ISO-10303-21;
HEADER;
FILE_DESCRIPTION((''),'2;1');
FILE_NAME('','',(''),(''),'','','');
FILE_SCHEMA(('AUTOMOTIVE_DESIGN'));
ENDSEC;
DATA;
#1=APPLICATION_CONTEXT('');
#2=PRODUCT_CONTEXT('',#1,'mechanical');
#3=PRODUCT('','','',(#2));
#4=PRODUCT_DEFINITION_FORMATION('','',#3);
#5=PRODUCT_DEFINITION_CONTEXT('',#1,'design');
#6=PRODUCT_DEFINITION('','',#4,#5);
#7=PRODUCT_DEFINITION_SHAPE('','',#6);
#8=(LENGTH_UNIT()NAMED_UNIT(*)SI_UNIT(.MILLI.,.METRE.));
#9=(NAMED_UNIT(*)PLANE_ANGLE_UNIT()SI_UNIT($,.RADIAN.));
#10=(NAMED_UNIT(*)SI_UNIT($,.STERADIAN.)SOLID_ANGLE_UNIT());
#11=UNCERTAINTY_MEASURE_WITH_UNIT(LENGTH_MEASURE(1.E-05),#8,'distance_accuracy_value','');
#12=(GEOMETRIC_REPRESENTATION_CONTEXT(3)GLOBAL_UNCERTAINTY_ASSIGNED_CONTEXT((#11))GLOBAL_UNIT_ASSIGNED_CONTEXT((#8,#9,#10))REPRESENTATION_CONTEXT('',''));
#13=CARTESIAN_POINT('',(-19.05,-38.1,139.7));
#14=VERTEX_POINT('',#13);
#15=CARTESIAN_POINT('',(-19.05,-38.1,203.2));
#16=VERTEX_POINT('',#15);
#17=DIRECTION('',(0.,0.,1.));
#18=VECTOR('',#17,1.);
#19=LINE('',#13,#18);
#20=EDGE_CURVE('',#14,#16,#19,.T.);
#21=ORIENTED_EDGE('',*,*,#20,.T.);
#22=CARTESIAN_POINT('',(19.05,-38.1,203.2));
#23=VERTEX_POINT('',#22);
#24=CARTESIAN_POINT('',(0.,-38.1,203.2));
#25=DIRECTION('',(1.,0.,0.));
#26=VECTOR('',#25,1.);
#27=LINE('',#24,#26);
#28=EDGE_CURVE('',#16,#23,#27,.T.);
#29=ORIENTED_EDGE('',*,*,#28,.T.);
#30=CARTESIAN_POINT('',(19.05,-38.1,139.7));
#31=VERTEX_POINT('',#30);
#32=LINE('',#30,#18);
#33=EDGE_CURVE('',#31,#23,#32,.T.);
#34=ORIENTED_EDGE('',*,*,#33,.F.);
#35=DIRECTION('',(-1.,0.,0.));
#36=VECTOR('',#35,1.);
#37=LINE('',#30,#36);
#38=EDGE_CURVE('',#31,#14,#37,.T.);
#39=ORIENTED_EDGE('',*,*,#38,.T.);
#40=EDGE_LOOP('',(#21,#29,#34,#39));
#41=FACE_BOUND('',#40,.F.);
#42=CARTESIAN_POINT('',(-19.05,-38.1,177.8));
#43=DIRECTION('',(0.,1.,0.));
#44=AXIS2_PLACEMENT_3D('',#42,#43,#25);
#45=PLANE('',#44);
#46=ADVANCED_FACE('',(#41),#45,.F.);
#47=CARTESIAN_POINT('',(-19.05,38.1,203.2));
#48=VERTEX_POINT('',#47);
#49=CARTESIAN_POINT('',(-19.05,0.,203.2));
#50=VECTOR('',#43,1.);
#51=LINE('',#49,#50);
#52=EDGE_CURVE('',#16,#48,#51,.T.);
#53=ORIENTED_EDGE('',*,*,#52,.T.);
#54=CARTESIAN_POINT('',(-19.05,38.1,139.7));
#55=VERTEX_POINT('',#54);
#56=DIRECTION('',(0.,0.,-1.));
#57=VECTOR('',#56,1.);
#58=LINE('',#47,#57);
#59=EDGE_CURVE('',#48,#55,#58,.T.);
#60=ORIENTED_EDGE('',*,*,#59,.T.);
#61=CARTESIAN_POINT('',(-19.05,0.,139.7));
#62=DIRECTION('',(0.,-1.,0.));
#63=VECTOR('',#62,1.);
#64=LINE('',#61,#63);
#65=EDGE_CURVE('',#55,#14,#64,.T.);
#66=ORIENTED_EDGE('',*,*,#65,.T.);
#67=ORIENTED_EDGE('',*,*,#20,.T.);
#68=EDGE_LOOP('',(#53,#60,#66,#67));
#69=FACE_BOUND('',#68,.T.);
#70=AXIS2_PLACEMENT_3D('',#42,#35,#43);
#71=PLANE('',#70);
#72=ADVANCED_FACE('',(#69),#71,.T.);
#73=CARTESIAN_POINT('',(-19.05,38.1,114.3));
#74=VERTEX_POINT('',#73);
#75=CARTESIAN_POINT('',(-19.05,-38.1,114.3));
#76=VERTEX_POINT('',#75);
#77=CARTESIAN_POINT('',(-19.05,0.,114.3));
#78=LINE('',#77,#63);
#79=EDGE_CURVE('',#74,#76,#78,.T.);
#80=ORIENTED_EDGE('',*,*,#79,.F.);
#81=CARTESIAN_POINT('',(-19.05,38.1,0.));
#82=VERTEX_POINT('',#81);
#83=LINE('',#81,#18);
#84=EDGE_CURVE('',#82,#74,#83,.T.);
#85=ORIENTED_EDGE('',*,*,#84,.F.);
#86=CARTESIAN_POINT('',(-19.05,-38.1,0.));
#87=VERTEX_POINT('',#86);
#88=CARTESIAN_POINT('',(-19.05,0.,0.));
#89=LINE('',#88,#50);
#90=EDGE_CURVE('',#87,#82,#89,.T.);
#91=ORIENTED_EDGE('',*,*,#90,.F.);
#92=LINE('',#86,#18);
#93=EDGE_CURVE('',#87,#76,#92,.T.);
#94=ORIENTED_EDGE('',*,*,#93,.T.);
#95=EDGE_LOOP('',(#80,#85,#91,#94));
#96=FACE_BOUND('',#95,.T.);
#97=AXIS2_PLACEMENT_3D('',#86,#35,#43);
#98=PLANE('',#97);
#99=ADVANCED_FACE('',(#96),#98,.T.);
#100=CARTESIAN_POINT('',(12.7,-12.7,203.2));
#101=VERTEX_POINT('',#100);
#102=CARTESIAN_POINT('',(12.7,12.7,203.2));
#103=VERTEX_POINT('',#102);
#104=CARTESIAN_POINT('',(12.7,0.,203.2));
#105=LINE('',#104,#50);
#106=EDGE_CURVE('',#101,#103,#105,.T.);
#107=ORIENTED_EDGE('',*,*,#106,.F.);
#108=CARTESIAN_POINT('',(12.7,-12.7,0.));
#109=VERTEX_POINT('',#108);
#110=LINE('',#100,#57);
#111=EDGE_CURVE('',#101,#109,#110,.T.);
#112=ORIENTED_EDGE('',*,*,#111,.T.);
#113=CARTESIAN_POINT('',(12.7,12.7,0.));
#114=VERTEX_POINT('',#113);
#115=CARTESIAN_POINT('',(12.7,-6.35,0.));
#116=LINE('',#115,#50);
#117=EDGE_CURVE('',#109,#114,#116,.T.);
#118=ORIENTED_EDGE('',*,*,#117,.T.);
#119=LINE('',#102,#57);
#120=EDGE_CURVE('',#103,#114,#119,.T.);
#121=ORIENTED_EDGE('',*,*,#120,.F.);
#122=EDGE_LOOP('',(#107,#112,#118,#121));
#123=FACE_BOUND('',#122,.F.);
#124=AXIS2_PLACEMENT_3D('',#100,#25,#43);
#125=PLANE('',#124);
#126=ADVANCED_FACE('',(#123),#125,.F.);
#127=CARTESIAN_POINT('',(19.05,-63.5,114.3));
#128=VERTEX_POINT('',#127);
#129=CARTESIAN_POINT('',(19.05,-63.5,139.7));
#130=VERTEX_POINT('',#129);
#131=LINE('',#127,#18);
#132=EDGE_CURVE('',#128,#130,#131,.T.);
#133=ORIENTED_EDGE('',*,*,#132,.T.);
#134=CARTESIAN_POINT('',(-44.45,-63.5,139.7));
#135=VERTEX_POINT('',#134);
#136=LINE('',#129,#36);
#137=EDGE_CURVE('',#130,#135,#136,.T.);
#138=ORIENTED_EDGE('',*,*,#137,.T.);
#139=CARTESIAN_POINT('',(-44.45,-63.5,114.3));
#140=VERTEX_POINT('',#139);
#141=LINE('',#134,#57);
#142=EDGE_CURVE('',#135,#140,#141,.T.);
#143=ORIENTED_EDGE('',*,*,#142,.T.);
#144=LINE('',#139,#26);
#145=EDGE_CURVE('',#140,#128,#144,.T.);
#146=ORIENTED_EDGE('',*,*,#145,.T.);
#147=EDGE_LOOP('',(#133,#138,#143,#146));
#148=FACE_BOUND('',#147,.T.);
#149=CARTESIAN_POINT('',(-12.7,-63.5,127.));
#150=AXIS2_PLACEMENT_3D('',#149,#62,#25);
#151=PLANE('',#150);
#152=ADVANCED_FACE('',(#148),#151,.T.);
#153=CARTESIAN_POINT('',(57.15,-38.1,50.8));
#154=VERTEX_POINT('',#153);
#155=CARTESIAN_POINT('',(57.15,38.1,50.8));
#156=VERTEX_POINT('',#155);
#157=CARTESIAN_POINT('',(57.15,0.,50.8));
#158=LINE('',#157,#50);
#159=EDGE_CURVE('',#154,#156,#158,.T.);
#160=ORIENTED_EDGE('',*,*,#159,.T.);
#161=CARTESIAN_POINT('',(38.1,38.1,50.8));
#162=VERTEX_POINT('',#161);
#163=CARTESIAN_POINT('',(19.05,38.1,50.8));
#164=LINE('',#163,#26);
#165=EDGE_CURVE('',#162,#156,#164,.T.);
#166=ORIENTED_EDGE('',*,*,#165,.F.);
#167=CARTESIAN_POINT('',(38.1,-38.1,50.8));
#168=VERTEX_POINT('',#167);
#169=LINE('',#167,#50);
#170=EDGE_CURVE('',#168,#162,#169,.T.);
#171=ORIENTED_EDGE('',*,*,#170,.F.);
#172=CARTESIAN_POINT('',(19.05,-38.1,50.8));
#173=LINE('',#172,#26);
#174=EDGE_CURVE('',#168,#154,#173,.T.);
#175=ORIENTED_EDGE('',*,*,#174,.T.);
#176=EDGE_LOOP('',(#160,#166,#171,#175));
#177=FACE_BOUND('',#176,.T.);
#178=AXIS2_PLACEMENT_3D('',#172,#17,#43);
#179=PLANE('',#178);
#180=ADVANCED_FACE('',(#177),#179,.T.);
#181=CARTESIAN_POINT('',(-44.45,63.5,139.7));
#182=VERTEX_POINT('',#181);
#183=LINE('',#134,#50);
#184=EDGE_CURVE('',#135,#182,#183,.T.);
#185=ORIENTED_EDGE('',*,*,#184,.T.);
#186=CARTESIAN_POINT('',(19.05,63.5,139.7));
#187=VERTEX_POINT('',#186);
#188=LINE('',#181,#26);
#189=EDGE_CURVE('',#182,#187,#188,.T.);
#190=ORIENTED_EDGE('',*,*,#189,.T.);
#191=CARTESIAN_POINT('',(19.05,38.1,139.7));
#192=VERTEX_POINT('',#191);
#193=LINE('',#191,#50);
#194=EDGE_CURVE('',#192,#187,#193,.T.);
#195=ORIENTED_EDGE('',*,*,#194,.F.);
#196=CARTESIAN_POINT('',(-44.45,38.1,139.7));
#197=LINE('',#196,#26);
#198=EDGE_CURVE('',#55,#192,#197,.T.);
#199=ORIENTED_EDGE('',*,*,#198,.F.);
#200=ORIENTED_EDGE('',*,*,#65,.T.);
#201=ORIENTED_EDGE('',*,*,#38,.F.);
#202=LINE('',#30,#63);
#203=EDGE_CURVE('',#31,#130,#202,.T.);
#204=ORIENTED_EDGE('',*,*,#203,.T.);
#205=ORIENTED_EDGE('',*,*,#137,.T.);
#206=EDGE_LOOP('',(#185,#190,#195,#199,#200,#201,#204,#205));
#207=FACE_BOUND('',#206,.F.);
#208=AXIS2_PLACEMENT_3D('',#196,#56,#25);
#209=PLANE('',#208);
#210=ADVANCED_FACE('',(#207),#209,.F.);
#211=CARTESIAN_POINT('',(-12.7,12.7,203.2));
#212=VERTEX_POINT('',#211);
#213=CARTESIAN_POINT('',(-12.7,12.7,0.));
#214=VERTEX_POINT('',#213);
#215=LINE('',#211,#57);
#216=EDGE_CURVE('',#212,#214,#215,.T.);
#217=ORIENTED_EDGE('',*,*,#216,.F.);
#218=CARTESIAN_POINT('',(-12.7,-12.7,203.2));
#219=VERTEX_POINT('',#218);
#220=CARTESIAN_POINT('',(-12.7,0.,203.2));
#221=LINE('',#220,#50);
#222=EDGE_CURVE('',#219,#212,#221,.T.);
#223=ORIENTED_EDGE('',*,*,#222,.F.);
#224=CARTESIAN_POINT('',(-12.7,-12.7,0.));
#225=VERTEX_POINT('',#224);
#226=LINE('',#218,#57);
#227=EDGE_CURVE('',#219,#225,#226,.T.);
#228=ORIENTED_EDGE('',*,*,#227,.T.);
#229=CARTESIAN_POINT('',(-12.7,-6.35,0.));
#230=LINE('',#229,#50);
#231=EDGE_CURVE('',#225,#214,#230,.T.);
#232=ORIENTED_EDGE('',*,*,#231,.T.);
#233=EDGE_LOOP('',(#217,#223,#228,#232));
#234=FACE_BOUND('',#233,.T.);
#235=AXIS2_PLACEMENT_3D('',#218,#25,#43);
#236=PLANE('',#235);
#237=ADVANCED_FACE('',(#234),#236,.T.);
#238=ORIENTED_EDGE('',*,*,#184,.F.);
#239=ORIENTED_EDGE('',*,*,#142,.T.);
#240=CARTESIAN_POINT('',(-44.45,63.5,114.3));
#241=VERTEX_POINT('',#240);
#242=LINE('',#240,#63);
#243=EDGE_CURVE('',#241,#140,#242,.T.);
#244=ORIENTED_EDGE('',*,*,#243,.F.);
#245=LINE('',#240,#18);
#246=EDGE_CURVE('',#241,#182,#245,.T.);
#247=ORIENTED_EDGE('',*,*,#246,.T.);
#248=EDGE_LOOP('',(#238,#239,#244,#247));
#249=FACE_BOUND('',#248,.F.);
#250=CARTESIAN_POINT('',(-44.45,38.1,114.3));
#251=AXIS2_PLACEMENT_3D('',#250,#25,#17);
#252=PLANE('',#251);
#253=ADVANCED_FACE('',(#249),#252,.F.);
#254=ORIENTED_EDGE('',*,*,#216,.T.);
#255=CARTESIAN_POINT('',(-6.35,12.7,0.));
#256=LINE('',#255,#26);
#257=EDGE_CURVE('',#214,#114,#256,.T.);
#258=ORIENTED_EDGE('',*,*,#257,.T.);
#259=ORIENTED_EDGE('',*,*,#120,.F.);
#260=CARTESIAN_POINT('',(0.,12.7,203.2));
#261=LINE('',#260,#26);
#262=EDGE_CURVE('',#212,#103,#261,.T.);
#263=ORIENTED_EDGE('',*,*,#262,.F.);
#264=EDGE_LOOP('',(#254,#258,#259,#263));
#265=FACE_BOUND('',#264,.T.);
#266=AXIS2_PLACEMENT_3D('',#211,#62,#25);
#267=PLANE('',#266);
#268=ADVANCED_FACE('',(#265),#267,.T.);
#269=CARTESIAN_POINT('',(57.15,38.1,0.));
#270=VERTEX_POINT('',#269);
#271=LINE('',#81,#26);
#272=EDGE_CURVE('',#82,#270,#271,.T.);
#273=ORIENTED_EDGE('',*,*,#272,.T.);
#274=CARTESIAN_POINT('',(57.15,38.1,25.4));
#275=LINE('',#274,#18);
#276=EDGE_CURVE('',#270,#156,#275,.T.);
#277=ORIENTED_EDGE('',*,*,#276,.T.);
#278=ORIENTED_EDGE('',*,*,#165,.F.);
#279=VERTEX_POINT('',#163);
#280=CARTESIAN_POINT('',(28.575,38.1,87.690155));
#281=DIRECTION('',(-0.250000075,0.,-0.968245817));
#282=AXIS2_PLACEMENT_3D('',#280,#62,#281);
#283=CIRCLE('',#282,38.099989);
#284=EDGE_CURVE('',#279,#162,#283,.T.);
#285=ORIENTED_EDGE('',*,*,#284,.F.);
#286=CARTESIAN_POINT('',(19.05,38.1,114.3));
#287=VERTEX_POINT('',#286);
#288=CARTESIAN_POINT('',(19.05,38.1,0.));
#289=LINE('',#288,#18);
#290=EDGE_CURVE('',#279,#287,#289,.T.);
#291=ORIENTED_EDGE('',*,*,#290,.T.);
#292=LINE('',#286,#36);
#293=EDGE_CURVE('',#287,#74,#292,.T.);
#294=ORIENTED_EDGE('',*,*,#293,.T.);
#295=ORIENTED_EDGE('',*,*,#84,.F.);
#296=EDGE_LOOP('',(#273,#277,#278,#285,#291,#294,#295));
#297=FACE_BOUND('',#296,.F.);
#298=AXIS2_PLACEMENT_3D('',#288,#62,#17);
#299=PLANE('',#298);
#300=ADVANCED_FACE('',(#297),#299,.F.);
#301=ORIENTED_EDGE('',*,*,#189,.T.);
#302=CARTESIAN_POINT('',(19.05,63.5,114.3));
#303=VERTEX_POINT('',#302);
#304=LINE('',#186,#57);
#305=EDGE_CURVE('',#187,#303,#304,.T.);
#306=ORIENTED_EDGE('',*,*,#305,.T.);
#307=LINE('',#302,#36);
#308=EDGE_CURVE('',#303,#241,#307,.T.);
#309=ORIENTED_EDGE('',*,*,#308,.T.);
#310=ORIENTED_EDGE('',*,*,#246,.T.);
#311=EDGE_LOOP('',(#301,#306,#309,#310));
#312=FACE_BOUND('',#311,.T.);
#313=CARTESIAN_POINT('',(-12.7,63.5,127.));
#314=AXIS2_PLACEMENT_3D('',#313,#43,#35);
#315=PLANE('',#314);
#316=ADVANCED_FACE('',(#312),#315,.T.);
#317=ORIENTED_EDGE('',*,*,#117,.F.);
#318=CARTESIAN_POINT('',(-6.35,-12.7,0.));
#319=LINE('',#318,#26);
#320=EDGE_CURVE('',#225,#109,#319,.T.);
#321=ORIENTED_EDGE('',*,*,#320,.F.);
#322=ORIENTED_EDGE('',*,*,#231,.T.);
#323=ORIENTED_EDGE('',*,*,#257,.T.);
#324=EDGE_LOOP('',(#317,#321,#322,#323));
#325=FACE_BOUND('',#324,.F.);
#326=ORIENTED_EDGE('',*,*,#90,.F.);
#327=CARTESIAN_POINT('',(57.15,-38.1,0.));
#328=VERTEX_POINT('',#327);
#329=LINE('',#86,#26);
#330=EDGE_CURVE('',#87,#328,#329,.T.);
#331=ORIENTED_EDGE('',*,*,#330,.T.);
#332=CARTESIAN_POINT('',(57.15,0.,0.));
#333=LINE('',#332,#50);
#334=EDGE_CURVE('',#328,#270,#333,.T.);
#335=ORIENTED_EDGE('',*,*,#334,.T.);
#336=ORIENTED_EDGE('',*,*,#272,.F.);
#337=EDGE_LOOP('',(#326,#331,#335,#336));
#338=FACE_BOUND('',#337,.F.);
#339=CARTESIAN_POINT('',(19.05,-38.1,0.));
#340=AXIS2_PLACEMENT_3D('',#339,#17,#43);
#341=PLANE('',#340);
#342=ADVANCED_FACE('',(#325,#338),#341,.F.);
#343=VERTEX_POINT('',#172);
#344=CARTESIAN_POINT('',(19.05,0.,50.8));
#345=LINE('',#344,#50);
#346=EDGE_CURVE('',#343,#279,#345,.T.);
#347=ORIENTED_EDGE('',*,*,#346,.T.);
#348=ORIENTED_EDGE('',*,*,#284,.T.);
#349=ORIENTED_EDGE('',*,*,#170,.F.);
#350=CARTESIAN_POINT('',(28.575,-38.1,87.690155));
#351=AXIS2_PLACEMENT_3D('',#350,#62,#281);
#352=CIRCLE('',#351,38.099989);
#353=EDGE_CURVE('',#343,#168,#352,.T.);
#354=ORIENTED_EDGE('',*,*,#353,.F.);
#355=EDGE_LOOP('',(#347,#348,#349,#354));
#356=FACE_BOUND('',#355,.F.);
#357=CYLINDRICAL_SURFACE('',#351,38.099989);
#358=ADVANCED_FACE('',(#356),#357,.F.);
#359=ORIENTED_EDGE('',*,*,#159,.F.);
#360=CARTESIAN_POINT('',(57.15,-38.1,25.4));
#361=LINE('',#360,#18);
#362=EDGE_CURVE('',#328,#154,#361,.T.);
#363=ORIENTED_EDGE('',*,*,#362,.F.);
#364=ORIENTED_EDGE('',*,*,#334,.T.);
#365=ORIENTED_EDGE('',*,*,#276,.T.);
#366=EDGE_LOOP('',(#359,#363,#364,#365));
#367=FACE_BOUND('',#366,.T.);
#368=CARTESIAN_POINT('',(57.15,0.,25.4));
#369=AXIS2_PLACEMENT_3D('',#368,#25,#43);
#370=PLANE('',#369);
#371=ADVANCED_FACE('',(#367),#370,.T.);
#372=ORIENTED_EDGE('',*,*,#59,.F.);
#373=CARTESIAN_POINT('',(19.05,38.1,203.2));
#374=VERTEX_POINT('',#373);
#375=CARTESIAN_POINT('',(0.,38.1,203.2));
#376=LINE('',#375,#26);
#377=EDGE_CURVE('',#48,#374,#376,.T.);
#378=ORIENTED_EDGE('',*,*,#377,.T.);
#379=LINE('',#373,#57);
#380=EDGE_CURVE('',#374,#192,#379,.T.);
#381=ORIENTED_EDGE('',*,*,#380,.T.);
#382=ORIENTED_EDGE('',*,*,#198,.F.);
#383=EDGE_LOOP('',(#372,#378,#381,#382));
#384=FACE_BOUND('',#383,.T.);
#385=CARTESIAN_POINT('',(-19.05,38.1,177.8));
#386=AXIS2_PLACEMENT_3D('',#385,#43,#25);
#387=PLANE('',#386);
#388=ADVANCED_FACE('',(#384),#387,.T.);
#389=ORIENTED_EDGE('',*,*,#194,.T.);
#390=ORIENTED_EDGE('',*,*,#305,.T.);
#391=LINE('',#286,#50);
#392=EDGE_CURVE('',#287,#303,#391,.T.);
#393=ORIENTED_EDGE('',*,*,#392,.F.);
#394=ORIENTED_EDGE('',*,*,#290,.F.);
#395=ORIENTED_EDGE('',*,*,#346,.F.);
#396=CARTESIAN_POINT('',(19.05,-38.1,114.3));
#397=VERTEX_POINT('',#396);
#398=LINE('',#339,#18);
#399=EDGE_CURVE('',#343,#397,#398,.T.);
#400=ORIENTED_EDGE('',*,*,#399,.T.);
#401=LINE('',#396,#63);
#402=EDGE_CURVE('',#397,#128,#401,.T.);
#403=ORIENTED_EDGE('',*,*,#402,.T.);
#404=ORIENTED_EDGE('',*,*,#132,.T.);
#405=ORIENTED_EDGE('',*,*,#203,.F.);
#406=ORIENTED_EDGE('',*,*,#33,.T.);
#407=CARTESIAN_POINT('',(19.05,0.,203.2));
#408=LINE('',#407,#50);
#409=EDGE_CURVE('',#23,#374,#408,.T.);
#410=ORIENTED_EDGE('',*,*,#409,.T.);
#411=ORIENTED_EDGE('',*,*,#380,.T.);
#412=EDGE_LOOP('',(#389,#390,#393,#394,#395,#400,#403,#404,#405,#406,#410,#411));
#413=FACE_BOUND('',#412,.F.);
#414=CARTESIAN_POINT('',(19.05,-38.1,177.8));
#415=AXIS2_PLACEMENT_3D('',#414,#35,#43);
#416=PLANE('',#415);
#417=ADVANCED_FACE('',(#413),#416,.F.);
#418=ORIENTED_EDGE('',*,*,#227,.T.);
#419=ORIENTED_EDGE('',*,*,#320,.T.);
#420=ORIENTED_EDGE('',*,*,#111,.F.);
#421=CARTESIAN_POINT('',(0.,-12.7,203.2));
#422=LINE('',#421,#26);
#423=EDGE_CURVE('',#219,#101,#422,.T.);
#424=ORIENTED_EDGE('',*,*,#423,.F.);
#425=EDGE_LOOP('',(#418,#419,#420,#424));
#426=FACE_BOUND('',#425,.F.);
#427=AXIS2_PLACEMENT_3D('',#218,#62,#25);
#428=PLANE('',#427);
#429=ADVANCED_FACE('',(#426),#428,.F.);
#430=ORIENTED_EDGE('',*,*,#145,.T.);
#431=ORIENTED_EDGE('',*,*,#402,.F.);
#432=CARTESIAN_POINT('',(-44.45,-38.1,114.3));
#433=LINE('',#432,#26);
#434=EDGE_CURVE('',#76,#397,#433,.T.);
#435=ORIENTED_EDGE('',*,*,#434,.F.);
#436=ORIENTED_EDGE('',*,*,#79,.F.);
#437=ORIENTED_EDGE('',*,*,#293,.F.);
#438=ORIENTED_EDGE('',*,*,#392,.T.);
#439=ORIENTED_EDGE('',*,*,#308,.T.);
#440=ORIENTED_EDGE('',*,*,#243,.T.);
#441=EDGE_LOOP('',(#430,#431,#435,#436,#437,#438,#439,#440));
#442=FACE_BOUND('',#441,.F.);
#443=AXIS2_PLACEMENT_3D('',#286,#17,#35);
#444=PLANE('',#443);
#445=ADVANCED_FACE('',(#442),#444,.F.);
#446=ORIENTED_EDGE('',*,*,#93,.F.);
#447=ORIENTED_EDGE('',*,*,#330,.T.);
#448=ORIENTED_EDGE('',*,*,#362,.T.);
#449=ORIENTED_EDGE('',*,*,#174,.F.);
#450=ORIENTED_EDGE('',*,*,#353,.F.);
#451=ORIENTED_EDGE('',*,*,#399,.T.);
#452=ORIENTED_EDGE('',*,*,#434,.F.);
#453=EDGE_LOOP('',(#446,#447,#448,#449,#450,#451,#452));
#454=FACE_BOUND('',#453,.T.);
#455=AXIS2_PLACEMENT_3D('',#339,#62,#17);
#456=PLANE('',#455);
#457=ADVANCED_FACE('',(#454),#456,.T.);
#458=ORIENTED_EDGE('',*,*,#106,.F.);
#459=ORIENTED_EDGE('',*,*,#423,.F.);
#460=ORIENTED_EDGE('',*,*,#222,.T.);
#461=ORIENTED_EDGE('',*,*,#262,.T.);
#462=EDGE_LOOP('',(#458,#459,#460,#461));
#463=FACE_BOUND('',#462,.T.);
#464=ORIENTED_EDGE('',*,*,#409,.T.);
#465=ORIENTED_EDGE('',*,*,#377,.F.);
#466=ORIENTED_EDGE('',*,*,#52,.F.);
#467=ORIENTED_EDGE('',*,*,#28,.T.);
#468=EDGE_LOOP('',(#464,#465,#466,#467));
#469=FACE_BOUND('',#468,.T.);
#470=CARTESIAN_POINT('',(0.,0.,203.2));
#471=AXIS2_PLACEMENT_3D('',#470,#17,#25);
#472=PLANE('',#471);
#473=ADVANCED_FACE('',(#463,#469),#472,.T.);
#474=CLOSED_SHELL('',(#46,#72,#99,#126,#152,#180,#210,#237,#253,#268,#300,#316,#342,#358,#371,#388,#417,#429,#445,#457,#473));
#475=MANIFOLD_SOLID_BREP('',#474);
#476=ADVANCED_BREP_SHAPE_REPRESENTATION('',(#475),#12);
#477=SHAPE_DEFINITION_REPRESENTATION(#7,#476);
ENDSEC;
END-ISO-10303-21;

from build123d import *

# Parameters (mm, degrees)
F0_W      = 38.1
F0_H      = 76.2
F1_DEPTH  = 177.8
F2_W      = 76.2
F2_H      = 25.4
F3_DEPTH  = 25.4
F5_DEPTH  = 25.4
F7_DEPTH  = 25.4
F8_W      = 38.1
F8_H      = 76.2
F9_DEPTH  = 25.4
F10_W     = 25.4
F10_H     = 25.4
F11_DEPTH = 228.6
F12_W     = 76.2
F12_H     = 50.8
F13_DEPTH = 38.1
F15_DEPTH = 228.6


with BuildPart() as f1:
    # F0 (on Top) → F1 (new body)
    with BuildSketch(Plane.XY):
        Rectangle(F0_W, F0_H)
    extrude(amount=F1_DEPTH)

    # F2 (on face) → F3 (join)
    with BuildSketch(Plane(origin=(-19.05, 0, 0), x_dir=(0, -1, 0), z_dir=(-1, 0, 0))):
        with Locations((0, 127)):
            Rectangle(F2_W, F2_H)
    extrude(amount=F3_DEPTH)

    # F4 (on face) → F5 (join)
    with BuildSketch(Plane.XZ.offset(38.1)):
        Polygon((-44.45, 139.7), (-44.45, 114.3), (-19.05, 114.3), (19.05, 114.3), (19.05, 139.7), (-19.05, 139.7), align=None)
    extrude(amount=F5_DEPTH)

    # F6 (on face) → F7 (join)
    with BuildSketch(Plane(origin=(0, 38.1, 0), x_dir=(-1, 0, 0), z_dir=(0, 1, 0))):
        Polygon((44.45, 114.3), (44.45, 139.7), (19.05, 139.7), (-19.05, 139.7), (-19.05, 114.3), (19.05, 114.3), align=None)
    extrude(amount=F7_DEPTH)

    # F8 (on face) → F9 (join)
    with BuildSketch(Plane.XY.offset(177.8)):
        Rectangle(F8_W, F8_H)
    extrude(amount=F9_DEPTH)

    # F10 (on face) → F11 (cut)
    with BuildSketch(Plane.XY.offset(203.2)):
        Rectangle(F10_W, F10_H)
    extrude(amount=-F11_DEPTH, mode=Mode.SUBTRACT)

    # F12 (on face) → F13 (join)
    with BuildSketch(Plane.YZ.offset(19.05)):
        with Locations((0, 25.4)):
            Rectangle(F12_W, F12_H)
    extrude(amount=F13_DEPTH)

    # F14 (on face) → F15 (cut)
    with BuildSketch(Plane.XZ.offset(38.1)):
        with BuildLine():
            Line((38.1, 50.8), (19.05, 50.8))
            ThreePointArc((19.05, 50.8), (28.575, 49.590166), (38.1, 50.8))
        make_face()
    extrude(amount=-F15_DEPTH, mode=Mode.SUBTRACT)


solid = f1.part
